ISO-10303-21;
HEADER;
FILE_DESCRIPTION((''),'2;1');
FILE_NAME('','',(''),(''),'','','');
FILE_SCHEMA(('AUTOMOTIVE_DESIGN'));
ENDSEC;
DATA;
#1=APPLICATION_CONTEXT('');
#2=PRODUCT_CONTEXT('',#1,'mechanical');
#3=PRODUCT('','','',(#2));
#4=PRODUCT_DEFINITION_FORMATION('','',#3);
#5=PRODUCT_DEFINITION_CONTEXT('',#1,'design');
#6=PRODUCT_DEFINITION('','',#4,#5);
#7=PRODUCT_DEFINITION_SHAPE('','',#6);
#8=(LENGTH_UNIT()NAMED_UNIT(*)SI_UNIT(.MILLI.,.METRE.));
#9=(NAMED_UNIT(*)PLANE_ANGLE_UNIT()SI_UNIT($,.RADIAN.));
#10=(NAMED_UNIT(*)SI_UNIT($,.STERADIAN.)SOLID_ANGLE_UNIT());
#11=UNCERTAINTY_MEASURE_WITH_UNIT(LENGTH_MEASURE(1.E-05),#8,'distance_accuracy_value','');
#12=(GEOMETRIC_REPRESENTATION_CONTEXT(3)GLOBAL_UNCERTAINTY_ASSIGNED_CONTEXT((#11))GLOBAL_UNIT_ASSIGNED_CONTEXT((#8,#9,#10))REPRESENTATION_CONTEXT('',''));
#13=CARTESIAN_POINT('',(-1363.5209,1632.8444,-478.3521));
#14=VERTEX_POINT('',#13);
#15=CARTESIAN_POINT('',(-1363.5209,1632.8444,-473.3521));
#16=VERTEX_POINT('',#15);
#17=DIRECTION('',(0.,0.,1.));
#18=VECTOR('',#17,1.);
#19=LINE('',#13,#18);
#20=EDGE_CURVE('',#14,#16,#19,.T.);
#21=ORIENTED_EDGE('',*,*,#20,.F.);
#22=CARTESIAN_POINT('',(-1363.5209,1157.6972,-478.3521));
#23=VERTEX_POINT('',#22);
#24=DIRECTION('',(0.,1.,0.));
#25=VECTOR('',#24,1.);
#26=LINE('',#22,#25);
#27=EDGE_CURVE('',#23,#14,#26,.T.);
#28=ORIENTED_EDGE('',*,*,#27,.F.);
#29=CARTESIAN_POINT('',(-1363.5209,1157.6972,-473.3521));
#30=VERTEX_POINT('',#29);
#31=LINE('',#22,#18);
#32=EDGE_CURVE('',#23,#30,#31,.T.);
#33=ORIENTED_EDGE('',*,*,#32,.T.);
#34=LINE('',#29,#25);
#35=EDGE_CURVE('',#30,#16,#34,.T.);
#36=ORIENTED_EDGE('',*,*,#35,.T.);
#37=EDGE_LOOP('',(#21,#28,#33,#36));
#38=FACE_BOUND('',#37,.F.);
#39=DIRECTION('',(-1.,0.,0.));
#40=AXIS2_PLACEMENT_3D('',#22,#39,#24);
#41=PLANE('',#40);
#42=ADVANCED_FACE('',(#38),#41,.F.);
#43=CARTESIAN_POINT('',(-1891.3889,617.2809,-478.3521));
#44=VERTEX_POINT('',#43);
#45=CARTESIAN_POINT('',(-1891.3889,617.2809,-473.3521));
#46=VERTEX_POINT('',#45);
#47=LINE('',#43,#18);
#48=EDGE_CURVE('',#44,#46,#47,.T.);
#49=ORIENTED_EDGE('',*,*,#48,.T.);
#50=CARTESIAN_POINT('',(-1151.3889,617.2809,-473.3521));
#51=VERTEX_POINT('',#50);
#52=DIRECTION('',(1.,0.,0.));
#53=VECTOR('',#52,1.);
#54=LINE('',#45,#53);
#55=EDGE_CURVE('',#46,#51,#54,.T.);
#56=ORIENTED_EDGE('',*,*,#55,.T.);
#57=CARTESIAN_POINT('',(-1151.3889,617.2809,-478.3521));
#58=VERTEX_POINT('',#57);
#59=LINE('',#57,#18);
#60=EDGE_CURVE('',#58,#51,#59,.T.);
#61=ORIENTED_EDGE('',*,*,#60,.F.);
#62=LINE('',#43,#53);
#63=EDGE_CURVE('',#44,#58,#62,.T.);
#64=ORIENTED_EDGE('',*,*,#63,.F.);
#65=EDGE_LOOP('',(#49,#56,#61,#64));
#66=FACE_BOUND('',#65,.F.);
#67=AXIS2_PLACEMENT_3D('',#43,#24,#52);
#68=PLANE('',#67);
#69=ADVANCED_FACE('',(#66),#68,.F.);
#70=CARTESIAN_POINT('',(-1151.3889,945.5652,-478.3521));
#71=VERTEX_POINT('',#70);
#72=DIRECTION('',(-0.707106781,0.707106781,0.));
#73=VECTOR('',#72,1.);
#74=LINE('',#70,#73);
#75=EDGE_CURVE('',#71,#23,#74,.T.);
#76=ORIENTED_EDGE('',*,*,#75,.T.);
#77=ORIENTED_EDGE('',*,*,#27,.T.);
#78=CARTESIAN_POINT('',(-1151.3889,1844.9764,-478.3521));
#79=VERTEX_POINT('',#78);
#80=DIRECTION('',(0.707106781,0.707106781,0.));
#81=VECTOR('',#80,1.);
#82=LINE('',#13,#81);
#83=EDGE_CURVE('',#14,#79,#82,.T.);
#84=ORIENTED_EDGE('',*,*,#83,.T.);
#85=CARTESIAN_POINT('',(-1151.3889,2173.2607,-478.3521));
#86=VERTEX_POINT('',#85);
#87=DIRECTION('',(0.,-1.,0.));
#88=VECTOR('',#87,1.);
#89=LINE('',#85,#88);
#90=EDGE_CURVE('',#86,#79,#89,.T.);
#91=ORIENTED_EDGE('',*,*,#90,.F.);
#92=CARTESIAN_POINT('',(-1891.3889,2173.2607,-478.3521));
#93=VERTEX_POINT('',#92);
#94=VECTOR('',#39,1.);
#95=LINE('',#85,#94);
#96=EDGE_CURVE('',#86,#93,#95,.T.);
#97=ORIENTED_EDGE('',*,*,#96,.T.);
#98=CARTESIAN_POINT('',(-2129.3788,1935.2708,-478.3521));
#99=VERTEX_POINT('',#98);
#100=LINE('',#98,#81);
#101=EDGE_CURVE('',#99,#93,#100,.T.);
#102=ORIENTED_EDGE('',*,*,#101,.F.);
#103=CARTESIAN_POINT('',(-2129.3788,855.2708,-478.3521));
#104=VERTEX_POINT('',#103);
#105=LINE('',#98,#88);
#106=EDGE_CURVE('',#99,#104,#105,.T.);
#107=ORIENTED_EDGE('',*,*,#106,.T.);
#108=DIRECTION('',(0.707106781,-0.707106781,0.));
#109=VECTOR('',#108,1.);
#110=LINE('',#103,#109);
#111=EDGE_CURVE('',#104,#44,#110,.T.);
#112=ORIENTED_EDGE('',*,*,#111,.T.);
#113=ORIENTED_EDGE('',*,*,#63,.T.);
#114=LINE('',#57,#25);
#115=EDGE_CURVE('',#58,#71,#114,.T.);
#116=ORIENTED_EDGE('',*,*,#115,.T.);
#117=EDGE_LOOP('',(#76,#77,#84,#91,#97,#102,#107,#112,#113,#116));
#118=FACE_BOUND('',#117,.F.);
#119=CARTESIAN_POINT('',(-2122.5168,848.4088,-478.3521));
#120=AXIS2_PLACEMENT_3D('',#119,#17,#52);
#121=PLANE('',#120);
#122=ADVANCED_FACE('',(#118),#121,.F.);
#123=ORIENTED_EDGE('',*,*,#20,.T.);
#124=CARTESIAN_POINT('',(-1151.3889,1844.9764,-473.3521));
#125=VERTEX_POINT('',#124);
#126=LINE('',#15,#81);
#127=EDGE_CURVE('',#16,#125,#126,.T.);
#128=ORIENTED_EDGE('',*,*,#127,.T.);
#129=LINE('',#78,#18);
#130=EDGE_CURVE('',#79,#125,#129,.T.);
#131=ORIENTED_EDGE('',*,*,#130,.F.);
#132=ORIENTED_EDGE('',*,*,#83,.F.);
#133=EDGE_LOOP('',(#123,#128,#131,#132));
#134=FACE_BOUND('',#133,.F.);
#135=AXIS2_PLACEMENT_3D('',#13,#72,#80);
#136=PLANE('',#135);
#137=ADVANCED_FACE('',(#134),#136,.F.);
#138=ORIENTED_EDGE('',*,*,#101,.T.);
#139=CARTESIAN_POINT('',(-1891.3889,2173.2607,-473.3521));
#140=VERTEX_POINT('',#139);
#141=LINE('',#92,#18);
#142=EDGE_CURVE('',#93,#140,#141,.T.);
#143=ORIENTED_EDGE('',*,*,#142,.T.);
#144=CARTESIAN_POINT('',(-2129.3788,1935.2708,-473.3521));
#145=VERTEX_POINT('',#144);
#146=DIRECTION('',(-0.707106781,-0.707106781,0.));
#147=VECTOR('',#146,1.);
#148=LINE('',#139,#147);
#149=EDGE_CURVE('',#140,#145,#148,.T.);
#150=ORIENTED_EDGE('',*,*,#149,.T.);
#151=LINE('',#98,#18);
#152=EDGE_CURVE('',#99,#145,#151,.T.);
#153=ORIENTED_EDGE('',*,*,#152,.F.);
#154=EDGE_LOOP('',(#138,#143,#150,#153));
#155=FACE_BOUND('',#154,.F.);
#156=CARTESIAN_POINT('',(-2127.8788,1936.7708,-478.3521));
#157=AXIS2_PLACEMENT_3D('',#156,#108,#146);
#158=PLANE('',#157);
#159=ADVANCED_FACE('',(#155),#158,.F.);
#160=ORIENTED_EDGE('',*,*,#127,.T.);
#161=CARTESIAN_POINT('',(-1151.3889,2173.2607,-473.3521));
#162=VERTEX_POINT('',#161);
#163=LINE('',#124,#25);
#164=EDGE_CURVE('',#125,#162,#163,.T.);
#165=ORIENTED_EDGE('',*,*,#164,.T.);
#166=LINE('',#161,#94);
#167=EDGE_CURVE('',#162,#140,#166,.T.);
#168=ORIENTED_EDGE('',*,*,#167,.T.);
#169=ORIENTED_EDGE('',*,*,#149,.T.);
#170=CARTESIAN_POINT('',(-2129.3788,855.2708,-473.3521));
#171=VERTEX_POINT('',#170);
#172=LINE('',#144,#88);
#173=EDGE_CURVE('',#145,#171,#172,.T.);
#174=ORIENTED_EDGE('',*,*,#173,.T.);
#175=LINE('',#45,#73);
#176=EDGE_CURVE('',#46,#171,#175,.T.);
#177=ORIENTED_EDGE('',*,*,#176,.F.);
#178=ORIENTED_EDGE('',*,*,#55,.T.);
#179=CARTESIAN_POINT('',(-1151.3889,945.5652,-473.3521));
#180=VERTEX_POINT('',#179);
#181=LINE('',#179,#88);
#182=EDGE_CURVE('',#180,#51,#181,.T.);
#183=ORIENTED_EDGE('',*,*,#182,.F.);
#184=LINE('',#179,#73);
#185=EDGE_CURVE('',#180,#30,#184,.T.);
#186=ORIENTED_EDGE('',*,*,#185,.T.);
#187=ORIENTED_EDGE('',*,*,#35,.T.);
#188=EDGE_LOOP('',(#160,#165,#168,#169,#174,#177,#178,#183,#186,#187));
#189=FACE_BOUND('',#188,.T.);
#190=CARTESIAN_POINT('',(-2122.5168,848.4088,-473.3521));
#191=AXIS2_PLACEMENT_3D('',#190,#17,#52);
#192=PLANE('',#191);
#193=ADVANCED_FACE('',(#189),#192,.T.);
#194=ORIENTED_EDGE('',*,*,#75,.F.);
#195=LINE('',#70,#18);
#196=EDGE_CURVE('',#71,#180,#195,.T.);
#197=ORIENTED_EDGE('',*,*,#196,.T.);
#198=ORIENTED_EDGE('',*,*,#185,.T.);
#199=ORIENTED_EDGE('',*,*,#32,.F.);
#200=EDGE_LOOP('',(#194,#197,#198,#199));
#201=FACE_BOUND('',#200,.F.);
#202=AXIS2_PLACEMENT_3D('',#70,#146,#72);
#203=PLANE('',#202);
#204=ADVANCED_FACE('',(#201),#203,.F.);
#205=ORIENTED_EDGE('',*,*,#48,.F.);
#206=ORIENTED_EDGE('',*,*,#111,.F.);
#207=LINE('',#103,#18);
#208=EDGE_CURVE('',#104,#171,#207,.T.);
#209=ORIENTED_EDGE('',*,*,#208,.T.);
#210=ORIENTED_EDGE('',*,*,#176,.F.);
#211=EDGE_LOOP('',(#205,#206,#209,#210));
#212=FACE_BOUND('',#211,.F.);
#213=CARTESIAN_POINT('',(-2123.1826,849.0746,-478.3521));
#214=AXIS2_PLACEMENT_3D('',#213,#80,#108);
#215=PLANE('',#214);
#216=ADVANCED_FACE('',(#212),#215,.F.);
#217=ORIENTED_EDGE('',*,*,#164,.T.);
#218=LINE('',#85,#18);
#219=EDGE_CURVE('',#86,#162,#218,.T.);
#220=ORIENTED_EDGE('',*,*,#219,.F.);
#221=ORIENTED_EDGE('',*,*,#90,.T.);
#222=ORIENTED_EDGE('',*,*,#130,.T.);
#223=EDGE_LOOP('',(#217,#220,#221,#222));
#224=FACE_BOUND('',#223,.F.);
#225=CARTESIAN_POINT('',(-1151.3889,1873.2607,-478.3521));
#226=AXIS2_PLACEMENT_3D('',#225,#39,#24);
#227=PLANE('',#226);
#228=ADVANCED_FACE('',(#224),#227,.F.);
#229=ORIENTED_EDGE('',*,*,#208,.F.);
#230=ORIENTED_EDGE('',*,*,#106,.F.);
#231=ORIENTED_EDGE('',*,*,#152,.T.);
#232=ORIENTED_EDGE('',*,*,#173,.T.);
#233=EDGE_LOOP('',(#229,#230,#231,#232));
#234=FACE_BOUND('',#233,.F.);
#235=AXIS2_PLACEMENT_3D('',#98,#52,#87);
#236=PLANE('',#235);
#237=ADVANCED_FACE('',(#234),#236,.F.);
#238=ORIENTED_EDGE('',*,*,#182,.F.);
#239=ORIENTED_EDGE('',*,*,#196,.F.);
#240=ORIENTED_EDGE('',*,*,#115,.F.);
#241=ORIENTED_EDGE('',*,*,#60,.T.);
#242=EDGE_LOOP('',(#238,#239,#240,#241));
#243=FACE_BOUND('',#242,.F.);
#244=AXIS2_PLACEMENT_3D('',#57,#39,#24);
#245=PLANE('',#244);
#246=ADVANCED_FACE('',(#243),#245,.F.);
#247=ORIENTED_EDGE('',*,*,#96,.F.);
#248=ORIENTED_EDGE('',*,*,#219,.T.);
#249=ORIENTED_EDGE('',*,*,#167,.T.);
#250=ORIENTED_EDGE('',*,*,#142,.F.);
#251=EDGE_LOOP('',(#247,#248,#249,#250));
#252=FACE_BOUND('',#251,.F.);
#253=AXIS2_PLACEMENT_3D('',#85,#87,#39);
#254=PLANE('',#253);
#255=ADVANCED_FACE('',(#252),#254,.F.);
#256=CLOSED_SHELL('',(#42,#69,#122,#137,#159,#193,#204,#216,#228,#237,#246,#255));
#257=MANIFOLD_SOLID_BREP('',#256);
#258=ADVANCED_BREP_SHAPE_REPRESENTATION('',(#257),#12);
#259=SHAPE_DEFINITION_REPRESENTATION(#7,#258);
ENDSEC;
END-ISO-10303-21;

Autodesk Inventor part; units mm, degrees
ref_plane "YZ Plane" through (0, 0, 0) normal (1, 0, 0) x (0, 1, 0)
ref_plane "XZ Plane" through (0, 0, 0) normal (0, 1, 0) x (-1, 0, 0)
ref_plane "Work Plane3" through (-2122.5168, 848.4088, -478.3521) normal (0, 0, 1) x (1, 0, 0)
sketch "Sketch1" plane through (-2122.5168, 848.4088, -478.3521) normal (0, 0, 1) x (1, 0, 0)
  line L0 (971.1279, -231.1279) -> (971.1279, 97.1564)
  line L1 (971.1279, 97.1564) -> (758.9959, 309.2884)
  line L2 (971.1279, 86.7336) -> (758.9959, 298.8657) projected
  line L3 (758.9959, 309.2884) -> (758.9959, 784.4356)
  line L4 (758.9959, 281.0041) -> (758.9959, 831.0041) projected
  line L5 (758.9959, 784.4356) -> (971.1279, 996.5676)
  line L6 (971.1279, 996.5676) -> (758.9959, 784.4356) projected
  line L7 (971.1279, 996.5676) -> (971.1279, 1324.8519)
  line L8 (971.1279, 1324.8519) -> (971.1279, 1024.8519) projected
  line L9 (971.1279, 1324.8519) -> (231.1279, 1324.8519)
  line L10 (231.1279, 1324.8519) -> (-6.862, 1086.862)
  line L11 (-6.862, 1086.862) -> (-5.362, 1088.362) projected
  line L12 (-6.862, 1086.862) -> (-6.862, 6.862)
  line L13 (-6.862, 6.862) -> (231.1279, -231.1279)
  line L14 (-3.7689, 3.7689) -> (-0.6658, 0.6658) projected
  line L15 (231.1279, -231.1279) -> (971.1279, -231.1279)
  point P0 (2122.5168, -848.4088)
  dimension "d2" = 740
  dimension "d3" = 1080
  dimension "d4" = 135
  dimension "d5" = 328.2843
  dimension "d6" = 328.2843
  dimension "d7" = 740
  dimension "d8" = 135
  dimension "d9" = 135
  dimension "d10" = 135
  dimension "d11" = 765.8579
  dimension "d12" = 977.9899
  dimension "d13" = 1555.9798
extrude "Extrusion1" add sketch "Sketch1" along normal blind 5
sketch "Sketch3" plane through (-2122.5168, 848.4088, -473.3521) normal (0, 0, 1) x (1, 0, 0)
  line L0 (9.5242, 357.2296) -> (9.5242, 702.0301)
  line L1 (9.5242, 702.0301) -> (255.8103, 702.0301)
  line L2 (255.8103, 702.0301) -> (255.8103, 357.2296)
  line L3 (255.8103, 357.2296) -> (9.5242, 357.2296)
  line L4 (254.1201, 1.9121) -> (629.6425, 1.9121)
  line L5 (629.6425, 1.9121) -> (629.6425, 80.2365)
  line L6 (629.6425, 80.2365) -> (254.1201, 80.2365)
  line L7 (254.1201, 80.2365) -> (254.1201, 1.9121)
  line L8 (254.1201, 986.5611) -> (629.6425, 986.5611)
  line L9 (629.6425, 986.5611) -> (629.6425, 1078.872)
  line L10 (629.6425, 1078.872) -> (254.1201, 1078.872)
  line L11 (254.1201, 1078.872) -> (254.1201, 986.5611)
  line L12 (435.9445, 80.2365) -> (466.7148, 80.2365)
  line L13 (466.7148, 80.2365) -> (466.7148, 986.5611)
  line L14 (466.7148, 986.5611) -> (435.9445, 986.5611)
  line L15 (435.9445, 986.5611) -> (435.9445, 80.2365)
  line L16 (758.9959, 309.2884) -> (758.9959, 784.4356) projected
  line L17 (10.8802, 243.43) -> (255.8103, 243.43)
  line L18 (255.8103, 243.43) -> (255.8103, 330.2134)
  line L19 (255.8103, 330.2134) -> (10.8802, 330.2134)
  line L20 (10.8802, 330.2134) -> (10.8802, 243.43)
  line L21 (10.8802, 727.5188) -> (149.2544, 727.5188)
  line L22 (149.2544, 727.5188) -> (149.2544, 848.202)
  line L23 (149.2544, 848.202) -> (10.8802, 848.202)
  line L24 (10.8802, 848.202) -> (10.8802, 727.5188)
properties part number "desk_clear_top"
